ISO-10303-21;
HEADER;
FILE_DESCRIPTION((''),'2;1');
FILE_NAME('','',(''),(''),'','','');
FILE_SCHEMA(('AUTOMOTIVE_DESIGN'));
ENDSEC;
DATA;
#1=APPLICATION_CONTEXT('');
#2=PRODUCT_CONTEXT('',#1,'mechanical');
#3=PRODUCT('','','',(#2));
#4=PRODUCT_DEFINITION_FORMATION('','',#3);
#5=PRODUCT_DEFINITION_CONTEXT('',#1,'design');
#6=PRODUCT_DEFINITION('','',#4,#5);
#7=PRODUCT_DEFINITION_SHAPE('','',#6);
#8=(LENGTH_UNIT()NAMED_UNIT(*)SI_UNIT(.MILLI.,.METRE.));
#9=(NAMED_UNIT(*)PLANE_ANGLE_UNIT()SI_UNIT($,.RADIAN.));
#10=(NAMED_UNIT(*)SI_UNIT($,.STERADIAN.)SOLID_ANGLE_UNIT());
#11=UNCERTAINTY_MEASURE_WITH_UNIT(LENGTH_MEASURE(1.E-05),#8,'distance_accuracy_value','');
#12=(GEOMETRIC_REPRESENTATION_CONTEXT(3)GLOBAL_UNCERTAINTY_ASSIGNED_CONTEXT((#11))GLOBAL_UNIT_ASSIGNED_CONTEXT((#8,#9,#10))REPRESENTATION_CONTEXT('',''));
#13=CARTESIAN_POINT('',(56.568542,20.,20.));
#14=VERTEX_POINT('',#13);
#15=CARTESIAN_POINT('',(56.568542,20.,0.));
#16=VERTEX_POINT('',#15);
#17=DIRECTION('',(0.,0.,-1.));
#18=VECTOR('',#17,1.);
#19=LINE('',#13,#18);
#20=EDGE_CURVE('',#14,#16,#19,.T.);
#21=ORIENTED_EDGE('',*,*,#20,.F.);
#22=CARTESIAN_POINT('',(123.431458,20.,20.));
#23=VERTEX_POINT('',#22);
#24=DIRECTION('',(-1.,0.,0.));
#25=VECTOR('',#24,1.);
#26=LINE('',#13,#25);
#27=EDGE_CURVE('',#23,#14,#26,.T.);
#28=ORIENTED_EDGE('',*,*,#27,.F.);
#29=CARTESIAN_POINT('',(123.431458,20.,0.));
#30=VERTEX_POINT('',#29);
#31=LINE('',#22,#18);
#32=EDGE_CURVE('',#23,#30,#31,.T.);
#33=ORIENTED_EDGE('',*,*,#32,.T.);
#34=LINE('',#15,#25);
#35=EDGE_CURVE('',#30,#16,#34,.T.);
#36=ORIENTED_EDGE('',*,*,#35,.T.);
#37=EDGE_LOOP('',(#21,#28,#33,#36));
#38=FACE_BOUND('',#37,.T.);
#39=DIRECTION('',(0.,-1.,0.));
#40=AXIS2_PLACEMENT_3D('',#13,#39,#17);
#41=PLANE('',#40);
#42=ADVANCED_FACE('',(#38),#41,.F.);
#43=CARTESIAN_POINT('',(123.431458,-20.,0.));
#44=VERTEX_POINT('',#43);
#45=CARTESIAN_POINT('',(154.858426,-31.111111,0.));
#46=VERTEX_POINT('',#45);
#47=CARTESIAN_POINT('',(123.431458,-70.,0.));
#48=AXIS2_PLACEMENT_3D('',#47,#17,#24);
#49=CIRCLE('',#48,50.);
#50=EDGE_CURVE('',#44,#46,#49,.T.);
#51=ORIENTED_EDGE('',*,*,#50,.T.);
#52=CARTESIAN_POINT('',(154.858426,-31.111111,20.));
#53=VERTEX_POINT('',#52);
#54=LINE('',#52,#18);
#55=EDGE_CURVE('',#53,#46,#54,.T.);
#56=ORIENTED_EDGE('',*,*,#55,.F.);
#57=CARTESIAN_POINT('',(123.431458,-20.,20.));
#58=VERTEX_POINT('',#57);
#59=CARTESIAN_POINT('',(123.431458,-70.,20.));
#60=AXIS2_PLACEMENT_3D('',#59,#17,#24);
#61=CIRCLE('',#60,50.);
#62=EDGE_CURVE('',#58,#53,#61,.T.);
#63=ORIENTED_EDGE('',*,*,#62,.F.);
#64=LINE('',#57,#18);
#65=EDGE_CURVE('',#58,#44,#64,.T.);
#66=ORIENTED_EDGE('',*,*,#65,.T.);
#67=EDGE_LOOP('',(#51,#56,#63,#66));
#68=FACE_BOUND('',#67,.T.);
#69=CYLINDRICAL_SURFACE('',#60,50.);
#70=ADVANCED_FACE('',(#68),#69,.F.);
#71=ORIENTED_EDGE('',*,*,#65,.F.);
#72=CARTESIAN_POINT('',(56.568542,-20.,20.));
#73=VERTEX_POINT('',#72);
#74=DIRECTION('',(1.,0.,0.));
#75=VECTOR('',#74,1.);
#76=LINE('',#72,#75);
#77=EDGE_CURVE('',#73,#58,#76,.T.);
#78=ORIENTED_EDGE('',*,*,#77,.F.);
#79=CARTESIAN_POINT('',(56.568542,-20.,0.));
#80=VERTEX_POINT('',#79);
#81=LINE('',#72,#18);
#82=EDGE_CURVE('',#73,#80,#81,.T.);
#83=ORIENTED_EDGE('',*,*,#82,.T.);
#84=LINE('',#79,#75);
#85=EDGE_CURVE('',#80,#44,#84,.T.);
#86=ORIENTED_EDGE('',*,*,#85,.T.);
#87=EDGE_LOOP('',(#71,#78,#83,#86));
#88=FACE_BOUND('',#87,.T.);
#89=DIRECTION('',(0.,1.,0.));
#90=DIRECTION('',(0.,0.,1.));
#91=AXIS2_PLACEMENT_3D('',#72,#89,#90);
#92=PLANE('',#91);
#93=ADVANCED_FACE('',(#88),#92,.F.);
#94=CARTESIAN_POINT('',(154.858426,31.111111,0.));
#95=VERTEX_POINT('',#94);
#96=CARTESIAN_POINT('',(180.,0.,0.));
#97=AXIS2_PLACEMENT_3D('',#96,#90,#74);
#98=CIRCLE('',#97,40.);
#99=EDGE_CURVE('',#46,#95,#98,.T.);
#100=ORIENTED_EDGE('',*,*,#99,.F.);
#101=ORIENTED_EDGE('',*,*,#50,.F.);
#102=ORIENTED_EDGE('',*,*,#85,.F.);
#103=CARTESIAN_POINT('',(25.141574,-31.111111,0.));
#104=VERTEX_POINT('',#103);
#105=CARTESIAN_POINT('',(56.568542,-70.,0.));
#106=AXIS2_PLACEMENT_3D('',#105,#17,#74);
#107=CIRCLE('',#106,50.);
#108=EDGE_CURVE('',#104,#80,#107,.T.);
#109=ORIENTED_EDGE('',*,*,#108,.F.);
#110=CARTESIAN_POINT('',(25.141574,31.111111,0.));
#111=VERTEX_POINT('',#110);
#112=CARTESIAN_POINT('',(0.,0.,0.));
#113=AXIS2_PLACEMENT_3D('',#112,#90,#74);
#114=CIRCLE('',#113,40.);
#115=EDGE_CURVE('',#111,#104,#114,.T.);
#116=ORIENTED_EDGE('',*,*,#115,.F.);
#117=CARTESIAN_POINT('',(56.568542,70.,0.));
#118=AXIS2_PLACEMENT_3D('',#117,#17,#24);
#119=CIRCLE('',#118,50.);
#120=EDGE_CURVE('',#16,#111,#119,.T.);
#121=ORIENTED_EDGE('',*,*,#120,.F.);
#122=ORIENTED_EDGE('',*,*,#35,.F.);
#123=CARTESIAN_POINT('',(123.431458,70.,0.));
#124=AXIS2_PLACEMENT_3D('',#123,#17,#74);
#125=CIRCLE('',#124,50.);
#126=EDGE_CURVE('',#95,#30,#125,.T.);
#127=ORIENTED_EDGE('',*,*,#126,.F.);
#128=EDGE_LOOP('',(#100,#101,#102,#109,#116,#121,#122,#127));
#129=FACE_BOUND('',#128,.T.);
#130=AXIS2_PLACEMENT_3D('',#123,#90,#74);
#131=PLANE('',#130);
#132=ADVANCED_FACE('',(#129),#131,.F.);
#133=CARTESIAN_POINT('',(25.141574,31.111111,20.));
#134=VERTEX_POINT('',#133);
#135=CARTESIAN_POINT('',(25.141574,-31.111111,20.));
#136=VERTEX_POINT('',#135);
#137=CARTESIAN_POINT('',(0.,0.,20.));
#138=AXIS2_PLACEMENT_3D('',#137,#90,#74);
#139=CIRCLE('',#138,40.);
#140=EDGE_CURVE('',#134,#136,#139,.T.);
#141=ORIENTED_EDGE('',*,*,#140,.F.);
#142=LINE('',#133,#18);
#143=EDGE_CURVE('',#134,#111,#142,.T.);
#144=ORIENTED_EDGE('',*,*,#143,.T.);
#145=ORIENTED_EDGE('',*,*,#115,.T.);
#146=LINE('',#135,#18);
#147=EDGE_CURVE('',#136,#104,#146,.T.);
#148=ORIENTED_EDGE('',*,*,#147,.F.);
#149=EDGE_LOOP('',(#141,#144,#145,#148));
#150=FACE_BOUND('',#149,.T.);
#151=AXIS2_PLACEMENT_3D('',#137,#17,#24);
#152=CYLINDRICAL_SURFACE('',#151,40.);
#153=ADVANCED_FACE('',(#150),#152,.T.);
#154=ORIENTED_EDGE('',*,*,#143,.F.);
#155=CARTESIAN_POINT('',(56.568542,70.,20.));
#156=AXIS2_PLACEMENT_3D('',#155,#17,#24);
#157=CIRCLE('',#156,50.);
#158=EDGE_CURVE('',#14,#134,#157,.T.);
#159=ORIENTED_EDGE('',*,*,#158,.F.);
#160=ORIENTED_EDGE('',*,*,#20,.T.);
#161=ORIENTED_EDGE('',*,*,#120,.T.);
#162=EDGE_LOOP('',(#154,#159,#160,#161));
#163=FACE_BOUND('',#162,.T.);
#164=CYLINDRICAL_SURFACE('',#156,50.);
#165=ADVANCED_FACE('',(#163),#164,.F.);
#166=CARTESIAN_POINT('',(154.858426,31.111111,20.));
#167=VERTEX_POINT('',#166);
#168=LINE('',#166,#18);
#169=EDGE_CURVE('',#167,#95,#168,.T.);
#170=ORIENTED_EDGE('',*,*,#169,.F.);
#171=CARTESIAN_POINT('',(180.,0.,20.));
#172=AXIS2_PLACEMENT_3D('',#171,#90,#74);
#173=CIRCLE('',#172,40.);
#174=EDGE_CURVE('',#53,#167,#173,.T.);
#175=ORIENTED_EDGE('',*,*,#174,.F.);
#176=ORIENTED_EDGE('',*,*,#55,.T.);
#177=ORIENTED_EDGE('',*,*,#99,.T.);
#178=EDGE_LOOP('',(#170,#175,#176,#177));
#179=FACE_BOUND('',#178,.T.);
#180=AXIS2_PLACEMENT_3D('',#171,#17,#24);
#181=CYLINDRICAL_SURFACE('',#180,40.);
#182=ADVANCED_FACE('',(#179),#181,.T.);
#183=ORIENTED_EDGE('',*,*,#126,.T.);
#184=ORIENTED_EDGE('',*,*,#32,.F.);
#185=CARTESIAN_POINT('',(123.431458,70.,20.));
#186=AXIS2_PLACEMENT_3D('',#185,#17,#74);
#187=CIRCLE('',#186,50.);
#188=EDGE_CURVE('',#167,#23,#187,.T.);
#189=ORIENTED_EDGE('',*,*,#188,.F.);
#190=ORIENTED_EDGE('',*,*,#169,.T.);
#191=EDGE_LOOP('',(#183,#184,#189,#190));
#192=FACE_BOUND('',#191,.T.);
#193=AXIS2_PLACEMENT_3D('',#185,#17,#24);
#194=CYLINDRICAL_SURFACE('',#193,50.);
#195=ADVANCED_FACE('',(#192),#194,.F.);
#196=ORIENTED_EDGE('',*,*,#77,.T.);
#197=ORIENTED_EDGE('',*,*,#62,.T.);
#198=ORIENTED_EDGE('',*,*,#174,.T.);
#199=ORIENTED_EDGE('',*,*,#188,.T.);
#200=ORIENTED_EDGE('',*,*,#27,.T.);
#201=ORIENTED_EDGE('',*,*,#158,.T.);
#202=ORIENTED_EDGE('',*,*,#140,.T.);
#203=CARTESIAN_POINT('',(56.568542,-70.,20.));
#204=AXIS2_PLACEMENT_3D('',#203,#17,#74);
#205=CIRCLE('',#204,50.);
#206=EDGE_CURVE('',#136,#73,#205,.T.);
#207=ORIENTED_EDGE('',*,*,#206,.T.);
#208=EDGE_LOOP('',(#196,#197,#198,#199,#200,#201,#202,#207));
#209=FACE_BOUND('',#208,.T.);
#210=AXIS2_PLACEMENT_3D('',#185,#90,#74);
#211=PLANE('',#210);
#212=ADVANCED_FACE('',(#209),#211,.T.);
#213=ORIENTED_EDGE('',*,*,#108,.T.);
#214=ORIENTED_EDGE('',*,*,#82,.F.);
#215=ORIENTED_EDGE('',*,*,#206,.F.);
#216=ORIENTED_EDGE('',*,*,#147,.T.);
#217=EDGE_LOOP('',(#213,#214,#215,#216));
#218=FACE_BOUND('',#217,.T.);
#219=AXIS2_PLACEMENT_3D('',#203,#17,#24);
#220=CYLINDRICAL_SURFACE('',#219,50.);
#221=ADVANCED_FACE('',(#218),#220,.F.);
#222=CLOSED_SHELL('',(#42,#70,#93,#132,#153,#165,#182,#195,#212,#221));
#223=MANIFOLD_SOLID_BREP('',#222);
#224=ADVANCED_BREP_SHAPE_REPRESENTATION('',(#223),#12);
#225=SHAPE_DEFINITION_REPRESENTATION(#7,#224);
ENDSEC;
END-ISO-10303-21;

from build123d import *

# Parameters (mm, degrees)
EXTRUDE_1_DEPTH = 20


with BuildPart() as part:
    # 草图1 → 凸台-拉伸1 (new body)
    with BuildSketch(Plane.XY):
        with BuildLine():
            Line((56.568542495, 20), (123.431457505, 20))
            ThreePointArc((123.431457505, 20), (140.098124172, 22.859547921), (154.858425558, 31.111111111))
            ThreePointArc((154.858425558, 31.111111111), (220, 0), (154.858425558, -31.111111111))
            ThreePointArc((154.858425558, -31.111111111), (140.098124172, -22.859547921), (123.431457505, -20))
            Line((123.431457505, -20), (56.568542495, -20))
            ThreePointArc((56.568542495, -20), (39.901875828, -22.859547921), (25.141574442, -31.111111111))
            ThreePointArc((25.141574442, -31.111111111), (-40, 0), (25.141574442, 31.111111111))
            ThreePointArc((25.141574442, 31.111111111), (39.901875828, 22.859547921), (56.568542495, 20))
        make_face()
    extrude(amount=EXTRUDE_1_DEPTH)


solid = part.part
